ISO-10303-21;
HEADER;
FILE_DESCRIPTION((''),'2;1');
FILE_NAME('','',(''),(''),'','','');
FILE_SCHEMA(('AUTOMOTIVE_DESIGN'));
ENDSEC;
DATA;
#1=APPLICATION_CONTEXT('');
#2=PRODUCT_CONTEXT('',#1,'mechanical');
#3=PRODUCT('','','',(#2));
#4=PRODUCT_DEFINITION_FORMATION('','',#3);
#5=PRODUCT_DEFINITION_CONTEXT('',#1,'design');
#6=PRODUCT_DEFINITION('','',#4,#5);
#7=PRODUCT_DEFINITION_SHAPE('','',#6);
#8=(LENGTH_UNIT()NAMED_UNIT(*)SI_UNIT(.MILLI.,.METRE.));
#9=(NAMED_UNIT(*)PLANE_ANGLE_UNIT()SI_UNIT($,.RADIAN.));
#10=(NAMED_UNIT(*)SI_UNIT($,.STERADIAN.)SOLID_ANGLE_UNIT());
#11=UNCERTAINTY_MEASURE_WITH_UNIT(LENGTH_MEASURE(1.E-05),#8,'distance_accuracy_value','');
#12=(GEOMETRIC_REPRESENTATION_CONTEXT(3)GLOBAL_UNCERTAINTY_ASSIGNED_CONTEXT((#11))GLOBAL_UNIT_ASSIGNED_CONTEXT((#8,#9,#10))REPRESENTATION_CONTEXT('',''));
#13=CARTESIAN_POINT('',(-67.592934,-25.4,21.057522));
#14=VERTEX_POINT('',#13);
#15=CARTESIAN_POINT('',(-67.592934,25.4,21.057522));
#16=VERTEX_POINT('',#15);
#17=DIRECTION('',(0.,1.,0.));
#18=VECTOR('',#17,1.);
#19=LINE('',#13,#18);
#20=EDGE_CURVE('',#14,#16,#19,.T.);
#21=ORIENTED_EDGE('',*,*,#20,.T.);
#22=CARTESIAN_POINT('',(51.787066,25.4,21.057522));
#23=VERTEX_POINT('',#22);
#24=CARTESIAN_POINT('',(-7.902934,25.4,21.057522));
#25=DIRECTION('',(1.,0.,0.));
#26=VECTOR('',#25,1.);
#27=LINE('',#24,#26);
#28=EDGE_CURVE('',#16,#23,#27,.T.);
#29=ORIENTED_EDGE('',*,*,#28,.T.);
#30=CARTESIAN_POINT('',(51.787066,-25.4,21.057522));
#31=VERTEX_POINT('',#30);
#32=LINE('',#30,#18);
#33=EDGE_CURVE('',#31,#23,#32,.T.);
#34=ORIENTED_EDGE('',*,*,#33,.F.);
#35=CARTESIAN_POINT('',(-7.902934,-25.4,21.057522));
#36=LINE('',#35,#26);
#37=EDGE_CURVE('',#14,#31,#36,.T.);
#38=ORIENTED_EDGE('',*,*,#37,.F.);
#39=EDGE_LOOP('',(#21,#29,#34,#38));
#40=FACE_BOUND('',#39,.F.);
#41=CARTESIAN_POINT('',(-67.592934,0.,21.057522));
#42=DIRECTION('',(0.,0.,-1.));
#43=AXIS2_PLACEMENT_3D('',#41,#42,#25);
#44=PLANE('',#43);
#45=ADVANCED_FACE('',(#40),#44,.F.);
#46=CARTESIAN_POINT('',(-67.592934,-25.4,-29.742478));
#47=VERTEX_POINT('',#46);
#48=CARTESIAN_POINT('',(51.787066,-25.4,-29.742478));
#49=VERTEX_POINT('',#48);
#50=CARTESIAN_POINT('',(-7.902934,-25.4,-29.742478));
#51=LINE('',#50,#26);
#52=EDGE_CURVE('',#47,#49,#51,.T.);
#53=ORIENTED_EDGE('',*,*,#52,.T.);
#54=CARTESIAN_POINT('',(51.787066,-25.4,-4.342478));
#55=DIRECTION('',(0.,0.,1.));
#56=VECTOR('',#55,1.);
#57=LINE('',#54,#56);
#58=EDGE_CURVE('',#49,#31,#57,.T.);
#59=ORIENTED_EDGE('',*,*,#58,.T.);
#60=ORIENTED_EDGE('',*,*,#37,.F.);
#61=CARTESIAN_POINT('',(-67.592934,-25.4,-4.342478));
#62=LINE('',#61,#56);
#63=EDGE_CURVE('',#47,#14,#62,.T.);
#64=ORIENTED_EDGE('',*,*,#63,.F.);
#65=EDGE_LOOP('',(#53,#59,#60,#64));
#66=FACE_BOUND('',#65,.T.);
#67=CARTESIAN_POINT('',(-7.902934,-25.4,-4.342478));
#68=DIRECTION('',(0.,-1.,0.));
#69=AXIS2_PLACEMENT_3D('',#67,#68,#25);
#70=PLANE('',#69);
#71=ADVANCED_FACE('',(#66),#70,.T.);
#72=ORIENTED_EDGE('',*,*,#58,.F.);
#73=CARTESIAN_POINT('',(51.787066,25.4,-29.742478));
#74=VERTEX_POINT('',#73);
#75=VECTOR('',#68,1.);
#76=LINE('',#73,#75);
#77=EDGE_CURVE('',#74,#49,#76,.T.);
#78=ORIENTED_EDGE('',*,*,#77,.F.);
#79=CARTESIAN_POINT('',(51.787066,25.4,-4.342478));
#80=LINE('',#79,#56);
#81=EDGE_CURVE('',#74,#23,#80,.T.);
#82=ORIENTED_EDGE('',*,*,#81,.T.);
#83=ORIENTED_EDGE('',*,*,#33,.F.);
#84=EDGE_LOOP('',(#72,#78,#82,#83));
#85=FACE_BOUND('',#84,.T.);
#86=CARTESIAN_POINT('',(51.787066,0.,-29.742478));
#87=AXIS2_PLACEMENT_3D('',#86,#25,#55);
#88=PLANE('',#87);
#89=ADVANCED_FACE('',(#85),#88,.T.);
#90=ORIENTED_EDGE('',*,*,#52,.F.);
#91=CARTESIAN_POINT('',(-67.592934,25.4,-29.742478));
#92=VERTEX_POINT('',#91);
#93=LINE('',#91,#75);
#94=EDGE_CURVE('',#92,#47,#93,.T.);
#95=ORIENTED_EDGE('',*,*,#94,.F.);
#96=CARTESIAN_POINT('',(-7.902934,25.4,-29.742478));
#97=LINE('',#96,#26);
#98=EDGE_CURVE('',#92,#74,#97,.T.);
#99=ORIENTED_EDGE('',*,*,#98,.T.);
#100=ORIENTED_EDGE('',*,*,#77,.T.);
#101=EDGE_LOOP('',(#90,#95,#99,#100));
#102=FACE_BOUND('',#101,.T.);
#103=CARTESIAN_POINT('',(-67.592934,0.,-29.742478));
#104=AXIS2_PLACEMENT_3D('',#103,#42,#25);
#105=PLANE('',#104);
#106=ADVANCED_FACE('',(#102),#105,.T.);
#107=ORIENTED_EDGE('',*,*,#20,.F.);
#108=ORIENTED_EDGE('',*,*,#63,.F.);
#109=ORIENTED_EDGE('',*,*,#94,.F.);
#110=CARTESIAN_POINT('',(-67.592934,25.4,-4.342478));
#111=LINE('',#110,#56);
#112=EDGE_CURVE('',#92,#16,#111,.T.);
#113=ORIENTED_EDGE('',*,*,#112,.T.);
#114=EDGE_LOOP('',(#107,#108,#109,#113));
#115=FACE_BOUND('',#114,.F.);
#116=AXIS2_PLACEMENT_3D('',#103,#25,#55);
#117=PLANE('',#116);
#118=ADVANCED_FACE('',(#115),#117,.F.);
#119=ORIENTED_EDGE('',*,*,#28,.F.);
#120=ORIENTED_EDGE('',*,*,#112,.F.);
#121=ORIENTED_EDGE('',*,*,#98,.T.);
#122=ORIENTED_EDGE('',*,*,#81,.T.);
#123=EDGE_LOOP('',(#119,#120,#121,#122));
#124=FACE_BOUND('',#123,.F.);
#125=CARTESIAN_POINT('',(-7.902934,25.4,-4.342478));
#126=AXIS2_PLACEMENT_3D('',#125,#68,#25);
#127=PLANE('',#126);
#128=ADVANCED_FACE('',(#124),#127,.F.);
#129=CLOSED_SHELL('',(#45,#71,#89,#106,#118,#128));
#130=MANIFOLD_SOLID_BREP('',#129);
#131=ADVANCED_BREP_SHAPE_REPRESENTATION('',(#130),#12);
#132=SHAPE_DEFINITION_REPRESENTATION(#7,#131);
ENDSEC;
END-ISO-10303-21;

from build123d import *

# Parameters (mm, degrees)
F0_W     = 119.38
F0_H     = 50.8
F1_DEPTH = 25.4
F2_W     = 109.22
F2_H     = 41.112078
F3_DEPTH = 25.4


with BuildPart() as f1:
    # F0 (on Front) → F1 (new body, symmetric)
    with BuildSketch(Plane.XZ):
        with Locations((-7.902934, -4.342478)):
            Rectangle(F0_W, F0_H)
    extrude(amount=F1_DEPTH, both=True)

    # F2 (on face) → F3 (join)
    with BuildSketch(Plane.XZ.offset(25.4)):
        with Locations((-7.902934, -4.578517)):
            Rectangle(F2_W, F2_H)
    extrude(amount=-F3_DEPTH)


solid = f1.part
